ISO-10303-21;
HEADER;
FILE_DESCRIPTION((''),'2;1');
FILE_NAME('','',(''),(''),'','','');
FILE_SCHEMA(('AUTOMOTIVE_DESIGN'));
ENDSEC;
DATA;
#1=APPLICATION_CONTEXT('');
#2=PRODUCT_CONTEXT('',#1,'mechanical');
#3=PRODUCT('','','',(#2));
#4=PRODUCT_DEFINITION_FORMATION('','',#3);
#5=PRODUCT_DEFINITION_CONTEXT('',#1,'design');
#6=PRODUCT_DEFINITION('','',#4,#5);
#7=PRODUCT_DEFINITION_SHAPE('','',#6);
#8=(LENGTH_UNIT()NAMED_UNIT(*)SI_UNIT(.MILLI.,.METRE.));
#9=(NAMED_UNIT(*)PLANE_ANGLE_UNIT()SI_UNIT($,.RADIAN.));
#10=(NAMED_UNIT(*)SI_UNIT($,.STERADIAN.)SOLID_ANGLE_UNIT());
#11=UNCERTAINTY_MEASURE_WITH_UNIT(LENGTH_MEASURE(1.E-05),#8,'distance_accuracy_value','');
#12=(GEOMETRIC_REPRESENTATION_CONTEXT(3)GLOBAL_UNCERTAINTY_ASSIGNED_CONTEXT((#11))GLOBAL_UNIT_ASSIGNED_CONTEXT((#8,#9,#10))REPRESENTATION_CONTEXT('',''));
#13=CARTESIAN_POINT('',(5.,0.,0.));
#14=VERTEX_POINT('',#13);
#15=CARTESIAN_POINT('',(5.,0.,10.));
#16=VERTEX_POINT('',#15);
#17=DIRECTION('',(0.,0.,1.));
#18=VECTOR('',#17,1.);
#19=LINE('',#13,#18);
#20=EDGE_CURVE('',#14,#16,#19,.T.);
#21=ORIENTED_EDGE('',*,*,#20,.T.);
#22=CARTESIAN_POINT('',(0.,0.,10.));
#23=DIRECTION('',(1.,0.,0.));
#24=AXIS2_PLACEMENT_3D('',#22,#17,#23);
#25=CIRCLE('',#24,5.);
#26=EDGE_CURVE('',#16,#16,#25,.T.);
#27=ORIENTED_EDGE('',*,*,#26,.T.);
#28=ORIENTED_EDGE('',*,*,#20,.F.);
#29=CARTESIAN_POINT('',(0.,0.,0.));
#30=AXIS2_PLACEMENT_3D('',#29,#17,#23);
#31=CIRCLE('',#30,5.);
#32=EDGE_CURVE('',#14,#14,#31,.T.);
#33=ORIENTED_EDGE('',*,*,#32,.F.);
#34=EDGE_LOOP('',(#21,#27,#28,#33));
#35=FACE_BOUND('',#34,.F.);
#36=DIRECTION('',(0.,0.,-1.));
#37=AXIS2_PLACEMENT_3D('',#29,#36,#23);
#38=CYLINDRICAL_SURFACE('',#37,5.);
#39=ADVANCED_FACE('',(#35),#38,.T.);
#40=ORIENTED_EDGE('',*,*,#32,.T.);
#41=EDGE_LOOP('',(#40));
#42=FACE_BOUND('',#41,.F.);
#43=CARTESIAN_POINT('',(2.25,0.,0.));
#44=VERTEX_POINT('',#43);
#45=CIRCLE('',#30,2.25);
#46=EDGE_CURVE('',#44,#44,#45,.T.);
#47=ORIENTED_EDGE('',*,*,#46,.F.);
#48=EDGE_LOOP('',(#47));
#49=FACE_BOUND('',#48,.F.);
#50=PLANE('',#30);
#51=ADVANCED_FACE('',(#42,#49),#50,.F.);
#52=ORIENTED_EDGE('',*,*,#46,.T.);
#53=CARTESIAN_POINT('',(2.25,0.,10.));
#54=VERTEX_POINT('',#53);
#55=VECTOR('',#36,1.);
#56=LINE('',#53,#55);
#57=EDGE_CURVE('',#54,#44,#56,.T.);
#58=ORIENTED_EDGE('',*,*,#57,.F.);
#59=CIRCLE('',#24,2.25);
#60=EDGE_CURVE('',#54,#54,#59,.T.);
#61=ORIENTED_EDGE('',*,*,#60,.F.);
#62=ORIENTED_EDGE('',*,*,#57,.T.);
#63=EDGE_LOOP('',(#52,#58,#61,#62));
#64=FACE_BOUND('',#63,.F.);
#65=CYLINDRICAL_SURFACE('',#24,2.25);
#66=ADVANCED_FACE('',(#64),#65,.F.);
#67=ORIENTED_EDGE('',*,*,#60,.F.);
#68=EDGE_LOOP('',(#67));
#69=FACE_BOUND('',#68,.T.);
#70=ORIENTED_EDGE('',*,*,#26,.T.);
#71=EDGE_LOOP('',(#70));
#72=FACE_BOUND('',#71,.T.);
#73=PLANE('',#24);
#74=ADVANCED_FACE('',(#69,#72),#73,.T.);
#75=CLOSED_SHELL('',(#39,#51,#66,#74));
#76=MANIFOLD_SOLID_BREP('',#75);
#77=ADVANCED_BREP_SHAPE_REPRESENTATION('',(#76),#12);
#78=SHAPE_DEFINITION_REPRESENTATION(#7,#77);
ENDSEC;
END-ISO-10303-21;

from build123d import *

# Parameters (mm, degrees)
SKETCH_R     = 5
PAD_DEPTH    = 10
SKETCH001_R  = 2.25
POCKET_DEPTH = 10.001


with BuildPart() as part:
    # Sketch → Pad (new body)
    with BuildSketch(Plane.XY):
        Circle(SKETCH_R)
    extrude(amount=PAD_DEPTH)

    # Sketch001 → Pocket (cut, through all)
    with BuildSketch(Plane.XY.offset(10)):
        Circle(SKETCH001_R)
    extrude(amount=-POCKET_DEPTH, mode=Mode.SUBTRACT)


solid = part.part
